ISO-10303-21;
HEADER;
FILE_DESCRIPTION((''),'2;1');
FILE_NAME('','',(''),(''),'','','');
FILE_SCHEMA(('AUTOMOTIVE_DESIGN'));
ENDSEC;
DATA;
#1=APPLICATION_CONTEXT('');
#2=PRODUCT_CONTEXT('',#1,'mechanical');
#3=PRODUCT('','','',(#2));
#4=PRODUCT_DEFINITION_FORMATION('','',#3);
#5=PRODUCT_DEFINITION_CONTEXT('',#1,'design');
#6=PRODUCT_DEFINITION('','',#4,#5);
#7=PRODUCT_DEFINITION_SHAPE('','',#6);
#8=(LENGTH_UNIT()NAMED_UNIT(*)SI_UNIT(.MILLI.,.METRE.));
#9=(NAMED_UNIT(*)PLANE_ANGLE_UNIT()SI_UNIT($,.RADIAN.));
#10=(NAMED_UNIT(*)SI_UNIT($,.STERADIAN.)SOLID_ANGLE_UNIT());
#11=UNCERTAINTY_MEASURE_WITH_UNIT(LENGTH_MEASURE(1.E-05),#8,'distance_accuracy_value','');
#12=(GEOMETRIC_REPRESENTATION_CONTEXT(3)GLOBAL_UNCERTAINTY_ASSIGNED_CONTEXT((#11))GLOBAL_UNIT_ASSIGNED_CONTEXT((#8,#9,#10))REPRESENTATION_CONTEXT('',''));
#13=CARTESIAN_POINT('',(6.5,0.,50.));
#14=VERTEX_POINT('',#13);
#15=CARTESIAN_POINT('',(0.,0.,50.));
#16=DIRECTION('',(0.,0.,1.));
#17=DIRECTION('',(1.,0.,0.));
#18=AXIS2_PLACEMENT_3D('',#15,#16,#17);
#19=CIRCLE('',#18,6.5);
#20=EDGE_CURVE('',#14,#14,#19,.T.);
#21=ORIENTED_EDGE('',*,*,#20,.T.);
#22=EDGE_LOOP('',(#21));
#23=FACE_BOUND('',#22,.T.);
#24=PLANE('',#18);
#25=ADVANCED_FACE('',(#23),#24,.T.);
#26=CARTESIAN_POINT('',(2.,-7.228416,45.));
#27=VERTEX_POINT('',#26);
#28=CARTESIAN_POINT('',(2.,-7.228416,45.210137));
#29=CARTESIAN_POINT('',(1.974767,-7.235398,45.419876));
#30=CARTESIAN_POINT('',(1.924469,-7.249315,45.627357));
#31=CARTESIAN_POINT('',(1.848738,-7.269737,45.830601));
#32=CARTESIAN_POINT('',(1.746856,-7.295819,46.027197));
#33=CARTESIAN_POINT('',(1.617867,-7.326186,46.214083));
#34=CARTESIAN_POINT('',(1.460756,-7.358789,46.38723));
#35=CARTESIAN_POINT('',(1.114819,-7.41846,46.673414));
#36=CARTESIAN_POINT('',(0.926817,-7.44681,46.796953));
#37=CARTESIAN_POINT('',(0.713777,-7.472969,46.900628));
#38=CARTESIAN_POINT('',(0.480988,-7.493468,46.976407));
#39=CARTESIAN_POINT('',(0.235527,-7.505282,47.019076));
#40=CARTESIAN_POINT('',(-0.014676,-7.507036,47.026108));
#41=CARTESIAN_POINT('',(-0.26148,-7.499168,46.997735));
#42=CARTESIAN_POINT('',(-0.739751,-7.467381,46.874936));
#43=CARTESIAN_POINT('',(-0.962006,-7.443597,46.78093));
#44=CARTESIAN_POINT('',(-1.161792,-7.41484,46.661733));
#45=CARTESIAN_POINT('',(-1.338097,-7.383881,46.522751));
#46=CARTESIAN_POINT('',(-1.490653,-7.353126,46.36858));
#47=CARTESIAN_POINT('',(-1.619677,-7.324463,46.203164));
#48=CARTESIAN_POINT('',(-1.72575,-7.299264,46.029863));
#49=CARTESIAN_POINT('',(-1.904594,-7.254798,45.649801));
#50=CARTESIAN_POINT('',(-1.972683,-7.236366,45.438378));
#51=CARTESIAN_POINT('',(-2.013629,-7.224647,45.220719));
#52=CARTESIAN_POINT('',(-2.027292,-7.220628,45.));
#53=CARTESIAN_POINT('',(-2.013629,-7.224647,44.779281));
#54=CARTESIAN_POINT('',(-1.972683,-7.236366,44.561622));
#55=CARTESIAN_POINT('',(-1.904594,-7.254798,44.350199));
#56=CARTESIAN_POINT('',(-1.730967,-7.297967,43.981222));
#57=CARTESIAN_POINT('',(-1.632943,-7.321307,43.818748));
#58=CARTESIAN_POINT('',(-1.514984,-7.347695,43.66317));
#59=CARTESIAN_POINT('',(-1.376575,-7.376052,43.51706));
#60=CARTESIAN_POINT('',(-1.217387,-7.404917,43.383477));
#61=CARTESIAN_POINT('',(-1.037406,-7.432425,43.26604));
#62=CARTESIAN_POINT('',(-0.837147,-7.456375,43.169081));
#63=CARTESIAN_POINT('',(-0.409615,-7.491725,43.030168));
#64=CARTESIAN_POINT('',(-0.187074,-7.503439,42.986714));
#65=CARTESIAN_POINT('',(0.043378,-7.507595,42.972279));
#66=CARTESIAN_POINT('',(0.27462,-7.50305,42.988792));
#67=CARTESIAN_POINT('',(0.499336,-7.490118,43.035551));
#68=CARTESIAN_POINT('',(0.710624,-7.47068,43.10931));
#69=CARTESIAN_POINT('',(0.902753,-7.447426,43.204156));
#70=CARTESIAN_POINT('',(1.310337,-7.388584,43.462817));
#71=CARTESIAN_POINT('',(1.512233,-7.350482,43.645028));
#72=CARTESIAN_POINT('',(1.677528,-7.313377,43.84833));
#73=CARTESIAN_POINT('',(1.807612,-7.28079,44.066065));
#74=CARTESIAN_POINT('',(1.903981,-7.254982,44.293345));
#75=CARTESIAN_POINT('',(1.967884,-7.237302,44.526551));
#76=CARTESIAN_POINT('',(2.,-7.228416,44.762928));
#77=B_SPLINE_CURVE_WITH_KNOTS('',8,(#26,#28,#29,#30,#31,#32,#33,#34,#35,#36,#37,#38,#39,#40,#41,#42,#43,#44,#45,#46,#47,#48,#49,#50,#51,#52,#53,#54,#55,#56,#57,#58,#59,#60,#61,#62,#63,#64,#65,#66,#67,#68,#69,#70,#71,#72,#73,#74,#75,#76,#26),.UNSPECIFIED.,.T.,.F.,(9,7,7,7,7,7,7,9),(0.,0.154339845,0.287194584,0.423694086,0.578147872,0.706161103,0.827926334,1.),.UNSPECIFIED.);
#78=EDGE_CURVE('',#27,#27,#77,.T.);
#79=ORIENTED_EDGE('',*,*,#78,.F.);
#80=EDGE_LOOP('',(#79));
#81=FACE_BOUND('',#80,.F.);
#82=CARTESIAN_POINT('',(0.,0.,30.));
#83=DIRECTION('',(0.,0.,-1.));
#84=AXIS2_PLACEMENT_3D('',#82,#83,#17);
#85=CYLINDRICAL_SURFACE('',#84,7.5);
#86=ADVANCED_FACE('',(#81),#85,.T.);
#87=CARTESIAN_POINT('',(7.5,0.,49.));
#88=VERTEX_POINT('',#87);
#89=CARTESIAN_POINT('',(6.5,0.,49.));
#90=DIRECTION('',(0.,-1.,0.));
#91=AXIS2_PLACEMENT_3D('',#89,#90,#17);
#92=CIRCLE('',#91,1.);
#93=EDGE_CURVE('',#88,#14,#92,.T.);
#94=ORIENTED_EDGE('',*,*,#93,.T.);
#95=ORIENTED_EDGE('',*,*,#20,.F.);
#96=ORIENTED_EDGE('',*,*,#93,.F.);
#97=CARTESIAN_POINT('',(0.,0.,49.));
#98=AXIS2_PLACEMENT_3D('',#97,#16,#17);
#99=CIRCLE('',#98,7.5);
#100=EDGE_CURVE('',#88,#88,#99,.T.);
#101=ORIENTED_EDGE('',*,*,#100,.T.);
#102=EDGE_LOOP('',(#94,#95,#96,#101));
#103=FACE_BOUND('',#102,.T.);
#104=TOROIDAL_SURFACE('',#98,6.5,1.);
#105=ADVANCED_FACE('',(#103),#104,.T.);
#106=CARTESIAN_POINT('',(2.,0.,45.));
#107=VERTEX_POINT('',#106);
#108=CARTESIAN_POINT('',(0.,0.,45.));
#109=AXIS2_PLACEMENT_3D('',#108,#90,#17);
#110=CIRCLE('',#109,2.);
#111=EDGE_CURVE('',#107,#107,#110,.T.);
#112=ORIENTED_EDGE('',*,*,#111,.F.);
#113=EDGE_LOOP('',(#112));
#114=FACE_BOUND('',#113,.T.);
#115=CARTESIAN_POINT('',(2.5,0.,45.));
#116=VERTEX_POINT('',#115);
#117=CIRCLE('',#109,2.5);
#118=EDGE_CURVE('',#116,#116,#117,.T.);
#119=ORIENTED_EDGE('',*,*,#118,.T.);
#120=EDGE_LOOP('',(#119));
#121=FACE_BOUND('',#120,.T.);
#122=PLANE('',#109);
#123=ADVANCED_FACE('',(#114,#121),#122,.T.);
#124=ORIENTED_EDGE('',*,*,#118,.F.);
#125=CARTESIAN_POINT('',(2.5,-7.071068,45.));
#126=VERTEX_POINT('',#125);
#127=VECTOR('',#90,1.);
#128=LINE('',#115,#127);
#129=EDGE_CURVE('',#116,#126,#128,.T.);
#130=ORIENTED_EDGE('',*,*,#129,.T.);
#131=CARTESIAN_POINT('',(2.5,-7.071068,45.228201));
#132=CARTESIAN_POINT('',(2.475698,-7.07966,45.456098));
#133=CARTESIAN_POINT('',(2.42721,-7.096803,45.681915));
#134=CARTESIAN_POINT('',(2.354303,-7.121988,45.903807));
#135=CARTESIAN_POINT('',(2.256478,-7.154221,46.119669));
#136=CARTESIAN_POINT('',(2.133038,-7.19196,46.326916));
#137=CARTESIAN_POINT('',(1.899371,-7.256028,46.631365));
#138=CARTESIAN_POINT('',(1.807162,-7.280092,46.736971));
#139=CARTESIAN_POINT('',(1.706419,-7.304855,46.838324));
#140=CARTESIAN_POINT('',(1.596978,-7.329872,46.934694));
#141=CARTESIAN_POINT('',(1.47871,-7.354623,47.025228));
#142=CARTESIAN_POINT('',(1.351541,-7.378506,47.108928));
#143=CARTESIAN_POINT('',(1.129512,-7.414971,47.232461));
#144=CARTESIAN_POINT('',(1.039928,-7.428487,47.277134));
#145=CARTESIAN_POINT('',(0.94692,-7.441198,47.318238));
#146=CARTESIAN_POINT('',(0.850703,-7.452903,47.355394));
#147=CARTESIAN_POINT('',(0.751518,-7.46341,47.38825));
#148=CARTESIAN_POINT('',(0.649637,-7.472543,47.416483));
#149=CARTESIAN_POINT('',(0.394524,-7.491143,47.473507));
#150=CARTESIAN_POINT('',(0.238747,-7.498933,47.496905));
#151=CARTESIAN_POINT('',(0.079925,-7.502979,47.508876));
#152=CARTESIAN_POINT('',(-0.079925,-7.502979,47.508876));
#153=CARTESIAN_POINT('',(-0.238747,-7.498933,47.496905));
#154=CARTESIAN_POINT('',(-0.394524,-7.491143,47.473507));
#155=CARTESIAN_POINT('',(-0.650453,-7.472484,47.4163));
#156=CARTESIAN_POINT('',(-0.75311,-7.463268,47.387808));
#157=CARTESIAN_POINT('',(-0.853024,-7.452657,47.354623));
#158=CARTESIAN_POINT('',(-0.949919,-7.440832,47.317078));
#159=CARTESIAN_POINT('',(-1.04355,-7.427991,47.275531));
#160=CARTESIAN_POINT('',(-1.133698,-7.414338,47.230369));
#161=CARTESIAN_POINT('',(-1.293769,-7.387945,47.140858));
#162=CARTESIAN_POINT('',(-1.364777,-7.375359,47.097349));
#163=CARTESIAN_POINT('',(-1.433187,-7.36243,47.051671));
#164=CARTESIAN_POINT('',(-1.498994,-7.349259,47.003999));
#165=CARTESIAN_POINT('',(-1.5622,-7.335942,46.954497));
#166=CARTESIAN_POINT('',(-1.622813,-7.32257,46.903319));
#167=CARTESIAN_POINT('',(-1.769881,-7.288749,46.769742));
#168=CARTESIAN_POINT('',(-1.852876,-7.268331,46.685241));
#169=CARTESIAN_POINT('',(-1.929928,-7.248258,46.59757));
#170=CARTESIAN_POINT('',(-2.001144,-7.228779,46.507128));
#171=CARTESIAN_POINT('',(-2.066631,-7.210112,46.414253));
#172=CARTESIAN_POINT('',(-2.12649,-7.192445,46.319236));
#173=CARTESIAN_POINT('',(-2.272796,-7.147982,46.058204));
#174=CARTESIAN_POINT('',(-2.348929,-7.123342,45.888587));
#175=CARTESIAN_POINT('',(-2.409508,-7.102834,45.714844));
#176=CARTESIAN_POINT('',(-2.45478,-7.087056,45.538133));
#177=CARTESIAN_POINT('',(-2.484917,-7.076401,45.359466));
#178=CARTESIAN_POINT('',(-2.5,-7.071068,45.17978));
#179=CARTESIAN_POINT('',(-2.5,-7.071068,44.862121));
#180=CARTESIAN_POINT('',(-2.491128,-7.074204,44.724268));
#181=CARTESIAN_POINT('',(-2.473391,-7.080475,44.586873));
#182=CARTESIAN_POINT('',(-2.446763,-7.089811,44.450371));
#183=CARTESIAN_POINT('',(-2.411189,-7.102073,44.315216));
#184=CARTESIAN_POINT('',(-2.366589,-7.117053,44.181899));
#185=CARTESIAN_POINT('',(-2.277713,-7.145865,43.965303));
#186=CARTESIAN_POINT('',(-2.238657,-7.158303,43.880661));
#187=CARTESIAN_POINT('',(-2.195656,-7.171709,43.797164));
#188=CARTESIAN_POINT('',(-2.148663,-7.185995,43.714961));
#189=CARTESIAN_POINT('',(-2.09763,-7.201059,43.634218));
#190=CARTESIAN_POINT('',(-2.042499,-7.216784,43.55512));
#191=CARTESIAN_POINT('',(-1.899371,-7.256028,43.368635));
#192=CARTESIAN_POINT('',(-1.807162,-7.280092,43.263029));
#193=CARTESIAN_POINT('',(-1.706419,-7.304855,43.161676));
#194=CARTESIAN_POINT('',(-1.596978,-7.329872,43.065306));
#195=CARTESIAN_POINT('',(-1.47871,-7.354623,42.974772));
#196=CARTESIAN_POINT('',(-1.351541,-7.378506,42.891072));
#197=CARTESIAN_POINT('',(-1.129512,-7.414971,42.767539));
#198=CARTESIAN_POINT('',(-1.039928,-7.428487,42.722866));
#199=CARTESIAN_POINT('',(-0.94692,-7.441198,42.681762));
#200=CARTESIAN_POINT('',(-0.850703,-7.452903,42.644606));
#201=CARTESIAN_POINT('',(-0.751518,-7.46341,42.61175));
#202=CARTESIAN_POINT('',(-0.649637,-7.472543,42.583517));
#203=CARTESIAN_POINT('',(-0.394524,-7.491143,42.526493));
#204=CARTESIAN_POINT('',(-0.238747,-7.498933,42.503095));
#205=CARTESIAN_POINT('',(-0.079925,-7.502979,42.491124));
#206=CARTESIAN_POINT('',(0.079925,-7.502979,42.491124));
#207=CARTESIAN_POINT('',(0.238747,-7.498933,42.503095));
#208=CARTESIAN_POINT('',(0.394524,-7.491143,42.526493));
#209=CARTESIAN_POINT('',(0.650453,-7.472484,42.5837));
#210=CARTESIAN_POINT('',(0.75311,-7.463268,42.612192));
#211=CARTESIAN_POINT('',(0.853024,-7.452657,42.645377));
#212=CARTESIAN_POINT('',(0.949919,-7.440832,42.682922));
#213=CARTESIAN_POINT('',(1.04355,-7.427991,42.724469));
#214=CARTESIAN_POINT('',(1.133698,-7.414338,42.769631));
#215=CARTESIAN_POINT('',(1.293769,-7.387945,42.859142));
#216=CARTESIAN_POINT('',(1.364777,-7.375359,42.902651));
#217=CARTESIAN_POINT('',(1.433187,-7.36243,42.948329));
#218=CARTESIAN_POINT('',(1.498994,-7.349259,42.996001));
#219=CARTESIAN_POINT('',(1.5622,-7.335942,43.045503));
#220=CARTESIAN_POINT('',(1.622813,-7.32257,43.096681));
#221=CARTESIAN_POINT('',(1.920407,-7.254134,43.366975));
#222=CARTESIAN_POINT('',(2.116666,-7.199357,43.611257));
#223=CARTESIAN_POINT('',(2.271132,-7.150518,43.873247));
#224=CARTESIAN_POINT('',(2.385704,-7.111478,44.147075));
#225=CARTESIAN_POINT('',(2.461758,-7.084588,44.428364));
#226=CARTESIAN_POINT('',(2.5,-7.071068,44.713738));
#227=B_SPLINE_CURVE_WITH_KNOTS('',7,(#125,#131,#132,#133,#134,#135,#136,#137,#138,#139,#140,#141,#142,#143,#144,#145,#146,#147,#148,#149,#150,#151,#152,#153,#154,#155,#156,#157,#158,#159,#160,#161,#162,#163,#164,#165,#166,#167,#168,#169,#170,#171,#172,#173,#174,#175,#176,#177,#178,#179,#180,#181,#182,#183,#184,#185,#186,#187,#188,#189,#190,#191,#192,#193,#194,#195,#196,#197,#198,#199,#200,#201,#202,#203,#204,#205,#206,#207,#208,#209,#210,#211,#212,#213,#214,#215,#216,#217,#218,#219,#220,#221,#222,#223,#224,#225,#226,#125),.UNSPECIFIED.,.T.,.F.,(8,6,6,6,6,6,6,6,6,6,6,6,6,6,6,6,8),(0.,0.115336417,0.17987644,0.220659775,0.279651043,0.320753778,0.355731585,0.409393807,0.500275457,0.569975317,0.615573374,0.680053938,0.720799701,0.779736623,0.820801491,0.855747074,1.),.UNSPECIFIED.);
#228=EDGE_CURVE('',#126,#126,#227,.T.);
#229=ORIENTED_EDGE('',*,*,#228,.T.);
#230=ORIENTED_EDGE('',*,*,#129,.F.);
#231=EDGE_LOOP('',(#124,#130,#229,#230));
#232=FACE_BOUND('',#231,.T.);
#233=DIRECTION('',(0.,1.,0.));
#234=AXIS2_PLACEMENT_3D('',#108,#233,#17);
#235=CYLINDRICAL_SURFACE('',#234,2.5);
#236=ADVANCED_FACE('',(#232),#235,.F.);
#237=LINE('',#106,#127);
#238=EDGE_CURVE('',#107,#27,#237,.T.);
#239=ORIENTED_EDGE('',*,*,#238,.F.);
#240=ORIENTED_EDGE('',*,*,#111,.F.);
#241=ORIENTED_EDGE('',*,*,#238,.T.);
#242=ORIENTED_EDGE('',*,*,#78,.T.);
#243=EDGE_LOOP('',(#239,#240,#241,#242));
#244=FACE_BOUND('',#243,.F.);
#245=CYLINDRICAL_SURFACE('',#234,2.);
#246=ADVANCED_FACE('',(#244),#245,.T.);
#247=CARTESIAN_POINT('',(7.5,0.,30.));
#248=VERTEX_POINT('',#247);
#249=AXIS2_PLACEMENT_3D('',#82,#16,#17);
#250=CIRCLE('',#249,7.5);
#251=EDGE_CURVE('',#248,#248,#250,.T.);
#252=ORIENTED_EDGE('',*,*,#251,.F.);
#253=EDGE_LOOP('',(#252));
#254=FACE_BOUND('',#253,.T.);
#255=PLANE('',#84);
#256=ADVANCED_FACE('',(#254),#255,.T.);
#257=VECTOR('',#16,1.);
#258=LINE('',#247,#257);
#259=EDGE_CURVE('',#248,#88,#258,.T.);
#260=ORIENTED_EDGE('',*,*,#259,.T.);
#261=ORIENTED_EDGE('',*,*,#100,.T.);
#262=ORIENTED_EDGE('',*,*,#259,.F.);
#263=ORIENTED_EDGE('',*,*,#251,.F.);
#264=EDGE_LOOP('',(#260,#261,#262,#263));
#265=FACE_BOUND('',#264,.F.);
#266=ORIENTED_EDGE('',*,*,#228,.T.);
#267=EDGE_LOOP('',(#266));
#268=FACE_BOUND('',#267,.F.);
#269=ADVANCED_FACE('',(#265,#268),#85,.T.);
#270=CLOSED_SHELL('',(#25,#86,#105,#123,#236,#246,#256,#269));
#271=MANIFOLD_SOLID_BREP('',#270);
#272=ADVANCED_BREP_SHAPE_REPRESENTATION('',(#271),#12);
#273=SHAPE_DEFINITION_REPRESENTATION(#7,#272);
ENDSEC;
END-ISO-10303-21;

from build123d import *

# Parameters (mm, degrees)
F0_R      = 12.5
F1_DEPTH  = 20
F2_R      = 9
F3_DEPTH  = 10
F4_R      = 7.5
F5_DEPTH  = 20
F6_R      = 2
F7_SIZE   = 1
F8_R      = 1
F9_R      = 2.5
F9_R_2    = 2
F10_DEPTH = 25
F11_R     = 3.5
F11_R_2   = 2.5
F12_DEPTH = 50
F13_R     = 34.8132917853
F13_R_2   = 3.5
F13_R_3   = 2.5
F14_DEPTH = 80


with BuildPart() as f1:
    # F0 (on Top) → F1 (new body)
    with BuildSketch(Plane.XY):
        Circle(F0_R)
    extrude(amount=F1_DEPTH)

    # F2 (on face) → F3 (join)
    with BuildSketch(Plane.XY.offset(20)):
        Circle(F2_R)
    extrude(amount=F3_DEPTH)

    # F4 (on face) → F5 (join)
    with BuildSketch(Plane.XY.offset(30)):
        Circle(F4_R)
    extrude(amount=F5_DEPTH)

    # F6
    f6_edges = [f1.edges().sort_by_distance(p)[0] for p in [
        (-12.5, 0, 20),
    ]]
    fillet(f6_edges, radius=F6_R)

    # F7
    f7_edges = [f1.edges().sort_by_distance(p)[0] for p in [
        (-9, 0, 30),
    ]]
    chamfer(f7_edges, length=F7_SIZE)

    # F8
    f8_edges = [f1.edges().sort_by_distance(p)[0] for p in [
        (-7.5, 0, 50),
    ]]
    fillet(f8_edges, radius=F8_R)

    # F9 (on Front) → F10 (cut)
    with BuildSketch(Plane.XZ):
        with Locations((0, 45)):
            Circle(F9_R)
        with Locations((0, 45)):
            Circle(F9_R_2, mode=Mode.SUBTRACT)
    extrude(amount=F10_DEPTH, mode=Mode.SUBTRACT)

    # F11 (on face) → F12 (join)
    with BuildSketch(Plane(origin=(0, 0, 0), x_dir=(1, 0, 0), z_dir=(0, 0, -1))):
        Circle(F11_R)
        Circle(F11_R_2, mode=Mode.SUBTRACT)
    extrude(amount=F12_DEPTH)

    # F13 (on face) → F14 (cut, through all)
    with BuildSketch(Plane(origin=(0, 0, -50), x_dir=(1, 0, 0), z_dir=(0, 0, -1))):
        Circle(F13_R)
        Circle(F13_R_2, mode=Mode.SUBTRACT)
        Circle(F13_R_2)
        Circle(F13_R_3, mode=Mode.SUBTRACT)
        Circle(F13_R_3)
    extrude(amount=-F14_DEPTH, mode=Mode.SUBTRACT)


solid = f1.part
